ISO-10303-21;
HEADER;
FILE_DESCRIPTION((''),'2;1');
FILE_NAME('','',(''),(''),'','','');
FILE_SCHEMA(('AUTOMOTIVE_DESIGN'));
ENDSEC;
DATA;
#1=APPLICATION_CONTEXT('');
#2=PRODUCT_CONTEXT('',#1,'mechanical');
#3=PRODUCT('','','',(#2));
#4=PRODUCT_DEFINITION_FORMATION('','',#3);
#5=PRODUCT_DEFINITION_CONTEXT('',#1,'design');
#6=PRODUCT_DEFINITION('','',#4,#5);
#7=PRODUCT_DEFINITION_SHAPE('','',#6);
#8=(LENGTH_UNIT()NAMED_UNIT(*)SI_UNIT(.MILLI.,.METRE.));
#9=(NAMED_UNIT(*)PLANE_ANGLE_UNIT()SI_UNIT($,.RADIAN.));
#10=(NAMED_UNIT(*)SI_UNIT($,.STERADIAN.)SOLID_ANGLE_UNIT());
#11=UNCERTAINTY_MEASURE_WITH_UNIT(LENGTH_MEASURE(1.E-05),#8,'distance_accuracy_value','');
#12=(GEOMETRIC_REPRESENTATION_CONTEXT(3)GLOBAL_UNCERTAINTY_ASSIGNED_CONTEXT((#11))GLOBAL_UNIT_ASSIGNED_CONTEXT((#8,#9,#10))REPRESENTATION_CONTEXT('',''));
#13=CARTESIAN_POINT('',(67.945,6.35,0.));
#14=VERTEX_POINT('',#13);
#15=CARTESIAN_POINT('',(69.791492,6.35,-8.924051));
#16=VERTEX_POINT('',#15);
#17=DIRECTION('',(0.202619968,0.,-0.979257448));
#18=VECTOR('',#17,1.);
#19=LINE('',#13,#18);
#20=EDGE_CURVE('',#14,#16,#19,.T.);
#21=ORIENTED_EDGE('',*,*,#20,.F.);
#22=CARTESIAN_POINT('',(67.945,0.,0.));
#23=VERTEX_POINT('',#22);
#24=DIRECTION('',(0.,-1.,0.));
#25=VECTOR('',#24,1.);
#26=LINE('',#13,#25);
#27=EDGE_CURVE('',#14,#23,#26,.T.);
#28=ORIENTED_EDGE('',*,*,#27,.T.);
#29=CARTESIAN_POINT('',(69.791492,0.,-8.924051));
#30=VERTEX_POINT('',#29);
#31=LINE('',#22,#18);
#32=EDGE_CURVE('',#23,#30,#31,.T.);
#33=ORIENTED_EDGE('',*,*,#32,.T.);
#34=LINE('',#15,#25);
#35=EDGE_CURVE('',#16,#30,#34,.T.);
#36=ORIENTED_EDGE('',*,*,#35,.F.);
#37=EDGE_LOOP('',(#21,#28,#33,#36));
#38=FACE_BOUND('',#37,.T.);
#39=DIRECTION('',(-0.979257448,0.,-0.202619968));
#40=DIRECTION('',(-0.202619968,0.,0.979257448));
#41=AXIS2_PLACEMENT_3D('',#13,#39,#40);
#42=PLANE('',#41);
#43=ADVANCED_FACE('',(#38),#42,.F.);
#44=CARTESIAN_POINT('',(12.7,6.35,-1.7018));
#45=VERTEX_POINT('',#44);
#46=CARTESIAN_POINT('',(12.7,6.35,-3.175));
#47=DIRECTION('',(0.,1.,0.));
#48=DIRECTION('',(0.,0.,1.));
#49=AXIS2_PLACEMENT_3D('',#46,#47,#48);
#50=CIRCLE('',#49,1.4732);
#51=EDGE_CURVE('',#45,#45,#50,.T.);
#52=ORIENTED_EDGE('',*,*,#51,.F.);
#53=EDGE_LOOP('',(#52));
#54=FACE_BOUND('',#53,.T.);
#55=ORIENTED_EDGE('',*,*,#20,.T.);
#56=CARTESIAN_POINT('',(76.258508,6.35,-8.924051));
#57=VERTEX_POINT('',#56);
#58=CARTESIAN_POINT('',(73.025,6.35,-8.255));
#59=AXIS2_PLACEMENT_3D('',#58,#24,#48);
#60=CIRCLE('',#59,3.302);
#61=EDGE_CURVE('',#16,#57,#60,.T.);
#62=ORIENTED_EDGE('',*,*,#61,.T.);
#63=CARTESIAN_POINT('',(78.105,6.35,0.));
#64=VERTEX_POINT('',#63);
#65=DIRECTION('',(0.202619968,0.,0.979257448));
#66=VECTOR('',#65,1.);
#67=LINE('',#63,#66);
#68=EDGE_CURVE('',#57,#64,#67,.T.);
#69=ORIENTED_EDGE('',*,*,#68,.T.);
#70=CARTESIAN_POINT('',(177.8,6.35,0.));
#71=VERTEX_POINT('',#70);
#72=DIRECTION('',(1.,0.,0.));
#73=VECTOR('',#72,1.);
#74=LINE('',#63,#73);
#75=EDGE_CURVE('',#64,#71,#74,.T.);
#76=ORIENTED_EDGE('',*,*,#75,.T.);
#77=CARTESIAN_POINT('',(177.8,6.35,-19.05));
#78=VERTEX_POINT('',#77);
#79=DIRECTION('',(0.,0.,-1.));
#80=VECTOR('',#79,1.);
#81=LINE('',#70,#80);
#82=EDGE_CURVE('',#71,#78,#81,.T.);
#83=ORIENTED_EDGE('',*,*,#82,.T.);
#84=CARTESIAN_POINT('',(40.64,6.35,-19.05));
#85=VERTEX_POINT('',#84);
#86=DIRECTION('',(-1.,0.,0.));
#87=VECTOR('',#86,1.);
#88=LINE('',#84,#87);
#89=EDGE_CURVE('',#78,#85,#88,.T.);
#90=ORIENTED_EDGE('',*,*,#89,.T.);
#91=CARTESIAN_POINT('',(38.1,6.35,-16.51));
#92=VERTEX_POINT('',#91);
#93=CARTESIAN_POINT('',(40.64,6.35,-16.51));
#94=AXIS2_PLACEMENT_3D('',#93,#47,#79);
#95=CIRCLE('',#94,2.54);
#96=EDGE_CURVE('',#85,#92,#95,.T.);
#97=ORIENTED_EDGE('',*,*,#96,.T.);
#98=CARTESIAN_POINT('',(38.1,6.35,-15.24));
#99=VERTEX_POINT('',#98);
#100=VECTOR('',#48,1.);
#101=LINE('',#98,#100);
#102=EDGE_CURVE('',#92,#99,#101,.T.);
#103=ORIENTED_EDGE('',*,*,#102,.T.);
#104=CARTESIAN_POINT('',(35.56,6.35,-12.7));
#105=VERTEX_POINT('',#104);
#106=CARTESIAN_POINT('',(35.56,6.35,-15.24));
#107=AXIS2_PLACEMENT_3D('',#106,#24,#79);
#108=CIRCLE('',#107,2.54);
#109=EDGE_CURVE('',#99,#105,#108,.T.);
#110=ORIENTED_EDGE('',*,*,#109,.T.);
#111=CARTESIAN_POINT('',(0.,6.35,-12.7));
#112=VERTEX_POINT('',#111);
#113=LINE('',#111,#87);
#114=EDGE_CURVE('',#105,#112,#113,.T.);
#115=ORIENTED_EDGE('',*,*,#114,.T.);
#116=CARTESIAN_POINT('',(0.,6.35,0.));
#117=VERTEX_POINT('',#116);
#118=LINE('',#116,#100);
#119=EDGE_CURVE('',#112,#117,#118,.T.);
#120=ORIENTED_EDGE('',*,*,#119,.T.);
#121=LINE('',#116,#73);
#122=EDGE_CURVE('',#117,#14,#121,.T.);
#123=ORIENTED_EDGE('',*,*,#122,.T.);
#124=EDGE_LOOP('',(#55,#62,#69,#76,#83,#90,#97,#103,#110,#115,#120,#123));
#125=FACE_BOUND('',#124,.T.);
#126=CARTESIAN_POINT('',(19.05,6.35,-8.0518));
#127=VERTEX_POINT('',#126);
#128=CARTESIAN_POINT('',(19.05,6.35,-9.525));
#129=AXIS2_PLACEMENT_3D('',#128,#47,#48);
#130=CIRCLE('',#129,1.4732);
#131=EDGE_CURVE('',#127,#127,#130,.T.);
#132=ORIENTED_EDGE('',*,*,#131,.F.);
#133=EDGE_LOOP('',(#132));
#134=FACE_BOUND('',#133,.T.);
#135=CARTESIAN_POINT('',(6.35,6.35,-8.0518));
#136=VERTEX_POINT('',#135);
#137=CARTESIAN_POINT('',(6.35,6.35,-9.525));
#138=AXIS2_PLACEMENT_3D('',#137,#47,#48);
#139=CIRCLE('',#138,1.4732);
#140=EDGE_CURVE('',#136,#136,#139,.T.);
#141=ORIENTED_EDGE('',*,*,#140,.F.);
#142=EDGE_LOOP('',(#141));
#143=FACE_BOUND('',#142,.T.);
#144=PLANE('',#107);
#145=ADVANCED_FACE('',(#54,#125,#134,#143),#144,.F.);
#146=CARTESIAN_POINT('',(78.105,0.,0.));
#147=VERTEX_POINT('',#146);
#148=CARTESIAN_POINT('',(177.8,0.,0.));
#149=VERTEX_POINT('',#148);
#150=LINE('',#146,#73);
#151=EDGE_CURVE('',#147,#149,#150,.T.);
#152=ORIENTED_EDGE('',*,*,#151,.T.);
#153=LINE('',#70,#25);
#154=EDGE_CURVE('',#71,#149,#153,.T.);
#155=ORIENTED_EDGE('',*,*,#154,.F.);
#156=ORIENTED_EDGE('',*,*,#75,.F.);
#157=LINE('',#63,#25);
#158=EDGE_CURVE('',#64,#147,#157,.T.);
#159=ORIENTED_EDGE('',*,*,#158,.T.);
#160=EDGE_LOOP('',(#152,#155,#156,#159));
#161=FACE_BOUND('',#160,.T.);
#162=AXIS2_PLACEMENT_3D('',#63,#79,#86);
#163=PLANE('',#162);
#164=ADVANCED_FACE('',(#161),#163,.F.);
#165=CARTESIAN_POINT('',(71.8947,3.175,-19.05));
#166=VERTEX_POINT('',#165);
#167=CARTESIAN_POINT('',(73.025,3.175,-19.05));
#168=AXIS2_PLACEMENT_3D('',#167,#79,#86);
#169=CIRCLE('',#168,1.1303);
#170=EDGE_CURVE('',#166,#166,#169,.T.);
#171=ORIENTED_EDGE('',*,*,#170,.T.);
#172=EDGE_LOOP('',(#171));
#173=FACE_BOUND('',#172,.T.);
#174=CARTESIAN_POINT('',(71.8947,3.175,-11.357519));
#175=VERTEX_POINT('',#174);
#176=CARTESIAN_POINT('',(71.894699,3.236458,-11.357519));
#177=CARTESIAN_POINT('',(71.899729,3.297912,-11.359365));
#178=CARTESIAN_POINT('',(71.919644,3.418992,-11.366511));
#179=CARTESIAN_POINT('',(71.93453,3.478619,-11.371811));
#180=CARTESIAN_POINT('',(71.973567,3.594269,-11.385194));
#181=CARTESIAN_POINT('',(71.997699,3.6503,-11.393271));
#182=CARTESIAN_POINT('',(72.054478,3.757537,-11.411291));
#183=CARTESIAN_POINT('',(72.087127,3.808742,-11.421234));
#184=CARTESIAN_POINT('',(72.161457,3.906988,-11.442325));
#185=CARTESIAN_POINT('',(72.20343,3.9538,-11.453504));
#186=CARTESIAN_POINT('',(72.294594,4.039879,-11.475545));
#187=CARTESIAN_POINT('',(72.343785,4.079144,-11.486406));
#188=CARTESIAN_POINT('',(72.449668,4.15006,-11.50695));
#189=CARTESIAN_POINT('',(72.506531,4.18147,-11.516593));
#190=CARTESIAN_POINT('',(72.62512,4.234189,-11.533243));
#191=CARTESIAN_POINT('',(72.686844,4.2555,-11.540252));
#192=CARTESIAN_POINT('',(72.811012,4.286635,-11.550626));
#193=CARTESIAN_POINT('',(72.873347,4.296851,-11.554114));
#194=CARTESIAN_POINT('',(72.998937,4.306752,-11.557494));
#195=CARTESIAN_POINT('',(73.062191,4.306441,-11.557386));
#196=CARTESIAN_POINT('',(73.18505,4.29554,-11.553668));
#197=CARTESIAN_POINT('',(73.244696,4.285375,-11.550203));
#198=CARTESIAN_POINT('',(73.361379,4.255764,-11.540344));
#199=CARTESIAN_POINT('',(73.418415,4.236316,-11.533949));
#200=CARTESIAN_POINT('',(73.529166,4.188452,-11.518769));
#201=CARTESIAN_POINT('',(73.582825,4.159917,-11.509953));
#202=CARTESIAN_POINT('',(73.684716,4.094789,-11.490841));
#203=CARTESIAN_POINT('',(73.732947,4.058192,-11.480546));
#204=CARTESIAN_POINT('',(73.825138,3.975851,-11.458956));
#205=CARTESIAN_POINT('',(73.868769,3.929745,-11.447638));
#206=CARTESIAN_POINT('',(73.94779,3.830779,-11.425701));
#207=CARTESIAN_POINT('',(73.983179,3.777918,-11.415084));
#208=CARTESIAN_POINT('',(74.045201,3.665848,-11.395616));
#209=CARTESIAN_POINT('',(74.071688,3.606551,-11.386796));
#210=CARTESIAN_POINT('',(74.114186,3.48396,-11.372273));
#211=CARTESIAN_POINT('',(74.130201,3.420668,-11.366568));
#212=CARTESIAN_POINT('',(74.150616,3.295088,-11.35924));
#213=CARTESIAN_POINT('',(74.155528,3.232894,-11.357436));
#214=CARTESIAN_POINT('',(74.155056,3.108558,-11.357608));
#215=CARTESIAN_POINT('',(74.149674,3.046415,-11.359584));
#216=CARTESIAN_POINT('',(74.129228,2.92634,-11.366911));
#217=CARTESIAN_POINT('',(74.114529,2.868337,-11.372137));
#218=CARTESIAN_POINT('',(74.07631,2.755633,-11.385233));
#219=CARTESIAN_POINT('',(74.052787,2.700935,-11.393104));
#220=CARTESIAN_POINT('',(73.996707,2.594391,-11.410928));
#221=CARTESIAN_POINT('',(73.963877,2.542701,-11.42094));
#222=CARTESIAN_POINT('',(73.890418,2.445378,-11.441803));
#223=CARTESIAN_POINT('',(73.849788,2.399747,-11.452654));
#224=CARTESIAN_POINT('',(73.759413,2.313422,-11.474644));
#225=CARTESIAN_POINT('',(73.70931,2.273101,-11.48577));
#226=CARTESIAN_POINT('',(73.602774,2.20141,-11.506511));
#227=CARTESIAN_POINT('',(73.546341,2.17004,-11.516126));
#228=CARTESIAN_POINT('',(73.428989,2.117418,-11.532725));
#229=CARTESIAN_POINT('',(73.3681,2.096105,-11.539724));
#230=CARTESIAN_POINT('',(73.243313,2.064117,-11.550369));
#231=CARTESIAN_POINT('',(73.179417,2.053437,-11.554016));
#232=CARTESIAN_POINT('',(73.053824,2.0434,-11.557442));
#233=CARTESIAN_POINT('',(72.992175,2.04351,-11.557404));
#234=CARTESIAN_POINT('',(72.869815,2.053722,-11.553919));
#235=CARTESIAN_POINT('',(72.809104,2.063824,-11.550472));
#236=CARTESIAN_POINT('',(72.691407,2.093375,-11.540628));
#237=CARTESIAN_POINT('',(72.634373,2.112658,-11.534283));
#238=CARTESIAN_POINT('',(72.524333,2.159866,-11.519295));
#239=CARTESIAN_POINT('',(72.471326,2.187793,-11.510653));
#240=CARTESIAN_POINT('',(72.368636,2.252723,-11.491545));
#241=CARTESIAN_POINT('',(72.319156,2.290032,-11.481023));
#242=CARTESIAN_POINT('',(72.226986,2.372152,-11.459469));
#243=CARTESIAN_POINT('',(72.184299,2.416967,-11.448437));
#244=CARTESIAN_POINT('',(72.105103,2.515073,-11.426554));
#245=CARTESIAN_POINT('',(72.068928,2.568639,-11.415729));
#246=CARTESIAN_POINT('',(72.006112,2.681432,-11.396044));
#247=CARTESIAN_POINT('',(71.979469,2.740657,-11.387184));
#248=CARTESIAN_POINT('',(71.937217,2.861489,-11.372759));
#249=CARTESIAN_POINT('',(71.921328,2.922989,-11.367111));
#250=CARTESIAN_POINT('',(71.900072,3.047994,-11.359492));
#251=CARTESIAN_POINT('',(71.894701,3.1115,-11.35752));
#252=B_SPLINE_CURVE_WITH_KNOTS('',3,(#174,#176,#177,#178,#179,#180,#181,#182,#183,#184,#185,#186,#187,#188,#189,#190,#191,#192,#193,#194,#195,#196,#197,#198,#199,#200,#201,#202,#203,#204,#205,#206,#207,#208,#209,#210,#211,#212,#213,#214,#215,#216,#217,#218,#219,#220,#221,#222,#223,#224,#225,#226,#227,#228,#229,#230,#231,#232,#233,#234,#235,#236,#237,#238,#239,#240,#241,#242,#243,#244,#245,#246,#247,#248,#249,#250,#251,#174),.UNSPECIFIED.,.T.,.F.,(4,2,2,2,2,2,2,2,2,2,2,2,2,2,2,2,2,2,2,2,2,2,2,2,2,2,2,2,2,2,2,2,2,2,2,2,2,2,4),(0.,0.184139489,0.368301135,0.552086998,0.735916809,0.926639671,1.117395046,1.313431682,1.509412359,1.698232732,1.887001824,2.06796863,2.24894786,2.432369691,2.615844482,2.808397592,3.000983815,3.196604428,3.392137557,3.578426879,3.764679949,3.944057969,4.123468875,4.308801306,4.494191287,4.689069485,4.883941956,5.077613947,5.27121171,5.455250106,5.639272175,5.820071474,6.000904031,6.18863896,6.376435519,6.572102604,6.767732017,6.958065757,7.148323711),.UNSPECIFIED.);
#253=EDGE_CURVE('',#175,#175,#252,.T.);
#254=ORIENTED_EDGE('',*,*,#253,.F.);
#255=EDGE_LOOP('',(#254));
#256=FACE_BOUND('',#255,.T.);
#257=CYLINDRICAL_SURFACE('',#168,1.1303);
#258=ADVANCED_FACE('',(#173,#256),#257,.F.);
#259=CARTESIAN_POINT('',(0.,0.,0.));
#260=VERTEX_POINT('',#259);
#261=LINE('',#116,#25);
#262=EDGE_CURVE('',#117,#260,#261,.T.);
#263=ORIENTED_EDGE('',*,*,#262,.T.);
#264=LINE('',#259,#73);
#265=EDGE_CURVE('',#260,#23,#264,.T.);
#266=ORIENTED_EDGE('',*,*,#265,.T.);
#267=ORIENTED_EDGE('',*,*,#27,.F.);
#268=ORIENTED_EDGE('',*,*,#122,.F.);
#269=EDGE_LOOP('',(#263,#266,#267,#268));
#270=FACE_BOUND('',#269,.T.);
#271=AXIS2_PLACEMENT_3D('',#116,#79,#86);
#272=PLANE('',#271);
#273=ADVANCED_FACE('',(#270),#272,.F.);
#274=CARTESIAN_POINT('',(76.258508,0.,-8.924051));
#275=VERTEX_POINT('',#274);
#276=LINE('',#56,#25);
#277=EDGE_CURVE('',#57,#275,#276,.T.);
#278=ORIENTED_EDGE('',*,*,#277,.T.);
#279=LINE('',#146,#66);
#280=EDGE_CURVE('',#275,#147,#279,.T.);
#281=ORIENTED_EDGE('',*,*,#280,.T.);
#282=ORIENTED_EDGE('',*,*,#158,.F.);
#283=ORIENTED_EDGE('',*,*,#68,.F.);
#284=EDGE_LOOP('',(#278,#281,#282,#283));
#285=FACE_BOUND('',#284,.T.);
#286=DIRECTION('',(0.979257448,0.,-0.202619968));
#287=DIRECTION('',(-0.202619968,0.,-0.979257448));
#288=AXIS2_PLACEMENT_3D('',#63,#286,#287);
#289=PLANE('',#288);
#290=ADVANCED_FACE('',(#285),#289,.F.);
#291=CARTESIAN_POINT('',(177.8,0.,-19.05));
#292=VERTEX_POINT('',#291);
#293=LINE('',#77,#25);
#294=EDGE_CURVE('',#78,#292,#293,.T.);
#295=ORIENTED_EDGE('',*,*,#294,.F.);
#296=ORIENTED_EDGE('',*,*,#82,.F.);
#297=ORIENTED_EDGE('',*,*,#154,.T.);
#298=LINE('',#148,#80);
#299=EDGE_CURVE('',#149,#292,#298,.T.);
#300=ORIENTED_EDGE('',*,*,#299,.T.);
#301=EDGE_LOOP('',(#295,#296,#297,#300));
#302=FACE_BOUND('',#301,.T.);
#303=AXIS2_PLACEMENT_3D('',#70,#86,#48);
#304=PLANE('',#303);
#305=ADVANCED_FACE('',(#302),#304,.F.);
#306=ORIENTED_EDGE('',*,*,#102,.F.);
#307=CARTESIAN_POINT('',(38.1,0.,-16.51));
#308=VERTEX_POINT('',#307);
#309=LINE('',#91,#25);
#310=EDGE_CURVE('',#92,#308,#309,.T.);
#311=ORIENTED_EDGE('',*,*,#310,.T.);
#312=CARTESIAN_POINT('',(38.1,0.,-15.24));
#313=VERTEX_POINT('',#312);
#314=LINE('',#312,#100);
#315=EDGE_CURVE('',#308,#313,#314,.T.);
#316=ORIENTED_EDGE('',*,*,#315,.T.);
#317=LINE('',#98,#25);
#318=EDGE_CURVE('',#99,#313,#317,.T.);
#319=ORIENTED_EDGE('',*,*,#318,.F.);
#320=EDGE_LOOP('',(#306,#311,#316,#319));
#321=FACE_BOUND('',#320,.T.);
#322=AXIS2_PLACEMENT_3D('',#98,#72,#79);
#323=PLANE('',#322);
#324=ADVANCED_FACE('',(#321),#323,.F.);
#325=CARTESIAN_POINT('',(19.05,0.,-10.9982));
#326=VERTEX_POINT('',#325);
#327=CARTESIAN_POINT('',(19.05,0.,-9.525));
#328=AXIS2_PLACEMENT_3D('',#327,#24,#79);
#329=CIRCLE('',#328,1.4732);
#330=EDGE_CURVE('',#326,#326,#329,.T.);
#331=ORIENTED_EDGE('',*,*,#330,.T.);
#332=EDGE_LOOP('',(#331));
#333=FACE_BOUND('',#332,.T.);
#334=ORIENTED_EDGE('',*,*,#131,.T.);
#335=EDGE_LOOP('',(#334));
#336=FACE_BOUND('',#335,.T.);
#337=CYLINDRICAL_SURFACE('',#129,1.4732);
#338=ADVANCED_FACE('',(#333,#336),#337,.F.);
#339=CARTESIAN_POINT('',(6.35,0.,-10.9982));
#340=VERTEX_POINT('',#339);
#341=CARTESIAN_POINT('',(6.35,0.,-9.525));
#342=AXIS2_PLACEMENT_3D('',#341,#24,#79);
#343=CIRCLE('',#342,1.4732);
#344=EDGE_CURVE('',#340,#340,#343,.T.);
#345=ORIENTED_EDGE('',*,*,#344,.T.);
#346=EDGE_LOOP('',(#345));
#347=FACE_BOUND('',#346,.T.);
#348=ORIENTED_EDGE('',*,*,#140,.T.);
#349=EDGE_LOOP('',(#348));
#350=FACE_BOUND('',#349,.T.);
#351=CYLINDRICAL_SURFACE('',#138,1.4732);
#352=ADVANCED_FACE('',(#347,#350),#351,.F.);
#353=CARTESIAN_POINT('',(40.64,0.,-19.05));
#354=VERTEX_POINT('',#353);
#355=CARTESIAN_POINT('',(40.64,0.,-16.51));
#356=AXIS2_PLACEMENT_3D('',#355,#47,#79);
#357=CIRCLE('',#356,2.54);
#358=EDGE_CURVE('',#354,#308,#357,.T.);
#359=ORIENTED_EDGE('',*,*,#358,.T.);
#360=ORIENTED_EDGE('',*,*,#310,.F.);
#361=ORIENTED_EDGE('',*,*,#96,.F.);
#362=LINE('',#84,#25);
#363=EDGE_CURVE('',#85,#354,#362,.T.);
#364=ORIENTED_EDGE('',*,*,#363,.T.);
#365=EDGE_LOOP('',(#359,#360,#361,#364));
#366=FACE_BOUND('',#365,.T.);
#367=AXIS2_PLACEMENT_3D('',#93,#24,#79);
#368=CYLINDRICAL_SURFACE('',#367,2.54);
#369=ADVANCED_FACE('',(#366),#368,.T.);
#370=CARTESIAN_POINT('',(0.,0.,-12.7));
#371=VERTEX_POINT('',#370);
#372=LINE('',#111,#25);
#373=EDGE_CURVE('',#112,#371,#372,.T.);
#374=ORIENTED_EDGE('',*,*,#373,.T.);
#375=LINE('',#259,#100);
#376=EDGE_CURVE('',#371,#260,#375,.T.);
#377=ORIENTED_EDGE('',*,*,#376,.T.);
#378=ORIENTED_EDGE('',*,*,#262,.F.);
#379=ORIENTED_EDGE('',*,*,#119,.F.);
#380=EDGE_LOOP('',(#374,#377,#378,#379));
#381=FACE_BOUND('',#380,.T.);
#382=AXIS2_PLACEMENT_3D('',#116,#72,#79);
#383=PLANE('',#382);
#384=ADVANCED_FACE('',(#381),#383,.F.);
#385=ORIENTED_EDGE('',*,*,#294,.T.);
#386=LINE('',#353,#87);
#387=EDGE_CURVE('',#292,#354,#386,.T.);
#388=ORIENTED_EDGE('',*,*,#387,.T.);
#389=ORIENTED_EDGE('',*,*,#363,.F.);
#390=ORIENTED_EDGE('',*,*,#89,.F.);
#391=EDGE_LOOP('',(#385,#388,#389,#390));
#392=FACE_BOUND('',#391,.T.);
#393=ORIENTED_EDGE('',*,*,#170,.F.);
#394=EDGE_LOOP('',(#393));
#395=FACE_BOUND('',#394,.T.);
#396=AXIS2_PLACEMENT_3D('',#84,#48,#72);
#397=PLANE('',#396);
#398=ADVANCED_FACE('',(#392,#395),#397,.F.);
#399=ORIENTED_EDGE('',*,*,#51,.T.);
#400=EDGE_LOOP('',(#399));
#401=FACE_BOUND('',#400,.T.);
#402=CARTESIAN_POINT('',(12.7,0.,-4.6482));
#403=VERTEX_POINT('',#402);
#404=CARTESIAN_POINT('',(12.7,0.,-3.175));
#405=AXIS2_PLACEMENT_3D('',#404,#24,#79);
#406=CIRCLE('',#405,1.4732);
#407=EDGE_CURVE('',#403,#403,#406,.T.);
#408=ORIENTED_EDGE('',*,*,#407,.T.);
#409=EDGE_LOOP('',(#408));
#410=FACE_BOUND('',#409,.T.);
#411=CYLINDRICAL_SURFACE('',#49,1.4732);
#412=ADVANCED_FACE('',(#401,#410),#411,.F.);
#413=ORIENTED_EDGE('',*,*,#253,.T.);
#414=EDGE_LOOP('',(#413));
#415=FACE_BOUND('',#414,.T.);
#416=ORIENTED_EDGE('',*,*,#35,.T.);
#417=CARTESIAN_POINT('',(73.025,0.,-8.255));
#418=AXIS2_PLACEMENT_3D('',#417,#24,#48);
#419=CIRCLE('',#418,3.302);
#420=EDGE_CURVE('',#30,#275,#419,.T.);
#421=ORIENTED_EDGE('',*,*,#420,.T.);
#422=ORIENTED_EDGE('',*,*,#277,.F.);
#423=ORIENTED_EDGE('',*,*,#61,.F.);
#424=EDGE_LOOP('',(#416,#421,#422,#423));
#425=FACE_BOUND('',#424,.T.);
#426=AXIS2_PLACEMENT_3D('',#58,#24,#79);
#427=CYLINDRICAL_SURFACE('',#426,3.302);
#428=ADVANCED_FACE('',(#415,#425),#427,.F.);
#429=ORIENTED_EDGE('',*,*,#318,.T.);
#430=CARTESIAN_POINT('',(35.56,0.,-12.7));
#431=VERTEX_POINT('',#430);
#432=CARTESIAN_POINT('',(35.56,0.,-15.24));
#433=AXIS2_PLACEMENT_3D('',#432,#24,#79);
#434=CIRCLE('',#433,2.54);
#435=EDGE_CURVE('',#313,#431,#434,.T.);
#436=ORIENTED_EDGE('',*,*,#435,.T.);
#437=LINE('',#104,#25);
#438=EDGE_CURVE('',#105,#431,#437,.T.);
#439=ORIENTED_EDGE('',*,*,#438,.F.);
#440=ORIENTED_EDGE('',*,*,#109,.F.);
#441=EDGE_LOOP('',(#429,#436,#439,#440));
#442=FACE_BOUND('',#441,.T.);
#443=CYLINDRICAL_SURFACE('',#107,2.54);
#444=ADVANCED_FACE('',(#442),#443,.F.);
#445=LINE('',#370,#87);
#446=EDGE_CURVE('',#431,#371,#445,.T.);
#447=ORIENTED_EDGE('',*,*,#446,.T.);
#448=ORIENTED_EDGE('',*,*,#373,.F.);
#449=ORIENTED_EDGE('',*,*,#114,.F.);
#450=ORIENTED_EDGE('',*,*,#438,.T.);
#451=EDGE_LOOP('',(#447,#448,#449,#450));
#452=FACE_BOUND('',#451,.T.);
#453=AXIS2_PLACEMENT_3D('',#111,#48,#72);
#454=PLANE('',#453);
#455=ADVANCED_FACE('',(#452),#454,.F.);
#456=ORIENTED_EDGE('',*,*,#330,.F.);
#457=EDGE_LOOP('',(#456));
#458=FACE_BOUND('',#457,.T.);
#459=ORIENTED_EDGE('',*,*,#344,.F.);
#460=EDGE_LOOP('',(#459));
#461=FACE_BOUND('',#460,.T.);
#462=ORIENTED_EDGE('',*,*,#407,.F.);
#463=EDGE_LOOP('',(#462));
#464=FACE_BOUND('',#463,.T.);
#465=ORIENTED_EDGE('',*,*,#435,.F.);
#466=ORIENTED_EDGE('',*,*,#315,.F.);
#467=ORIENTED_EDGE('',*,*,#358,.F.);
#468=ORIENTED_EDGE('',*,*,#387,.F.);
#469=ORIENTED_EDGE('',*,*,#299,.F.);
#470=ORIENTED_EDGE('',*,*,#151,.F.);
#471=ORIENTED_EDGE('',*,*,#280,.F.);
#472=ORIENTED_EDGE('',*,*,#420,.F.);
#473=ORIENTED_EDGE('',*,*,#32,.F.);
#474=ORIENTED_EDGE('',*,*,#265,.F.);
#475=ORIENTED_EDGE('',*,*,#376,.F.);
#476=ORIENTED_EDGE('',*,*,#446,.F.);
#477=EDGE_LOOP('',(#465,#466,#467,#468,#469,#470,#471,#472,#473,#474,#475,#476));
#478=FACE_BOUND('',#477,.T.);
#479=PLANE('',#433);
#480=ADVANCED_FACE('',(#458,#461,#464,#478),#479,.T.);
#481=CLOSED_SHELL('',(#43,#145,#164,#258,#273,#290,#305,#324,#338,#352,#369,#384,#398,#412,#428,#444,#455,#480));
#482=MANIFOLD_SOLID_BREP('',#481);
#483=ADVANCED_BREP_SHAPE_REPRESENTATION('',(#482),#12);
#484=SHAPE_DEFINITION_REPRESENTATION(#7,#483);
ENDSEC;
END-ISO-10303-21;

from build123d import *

# Parameters (mm, degrees)
BOSS_EXTRUDE1_DEPTH             = 6.35
F_32_0_116_DIAMETER_HOLE1_D     = 2.9464
F_32_0_116_DIAMETER_HOLE1_DEPTH = 7.62
F_32_0_116_DIAMETER_HOLE1_TIP   = 0.885187864
F_4_40_TAPPED_HOLE1_D           = 2.2606


with BuildPart() as part:
    # Sketch1 → Boss-Extrude1 (new body)
    with BuildSketch(Plane(origin=(0, 0, 0), x_dir=(1, 0, 0), z_dir=(0, 1, 0))):
        with BuildLine():
            Line((0, 0), (67.945, 0))
            Line((67.945, 0), (69.791491908, 8.924051134))
            ThreePointArc((69.791491908, 8.924051134), (73.025, 11.557), (76.258508092, 8.924051134))
            Line((76.258508092, 8.924051134), (78.105, 0))
            Line((78.105, 0), (177.8, 0))
            Line((177.8, 0), (177.8, 19.05))
            Line((177.8, 19.05), (40.64, 19.05))
            ThreePointArc((40.64, 19.05), (38.843948776, 18.306051224), (38.1, 16.51))
            Line((38.1, 16.51), (38.1, 15.24))
            ThreePointArc((38.1, 15.24), (37.356051224, 13.443948776), (35.56, 12.7))
            Line((35.56, 12.7), (0, 12.7))
            Line((0, 12.7), (0, 0))
        make_face()
    extrude(amount=BOSS_EXTRUDE1_DEPTH)

    # #32 (0.116) Diameter Hole1
    with Locations(Plane(origin=(6.35, 6.35, -9.525), x_dir=(0, 0, 1), z_dir=(0, 1, 0))):
        with Locations((0, 0), (0, 12.7), (6.35, 6.35)):
            Hole(F_32_0_116_DIAMETER_HOLE1_D / 2, depth=F_32_0_116_DIAMETER_HOLE1_DEPTH)
            with Locations((0, 0, -(F_32_0_116_DIAMETER_HOLE1_DEPTH + F_32_0_116_DIAMETER_HOLE1_TIP / 2))):  # 118° drill point
                Cone(0, F_32_0_116_DIAMETER_HOLE1_D / 2, F_32_0_116_DIAMETER_HOLE1_TIP, mode=Mode.SUBTRACT)

    # #4-40 Tapped Hole1 (through all)
    with Locations(Plane(origin=(0, 0, -19.05), x_dir=(-1, 0, 0), z_dir=(0, 0, -1))):
        with Locations((-73.025, 3.175)):
            Hole(F_4_40_TAPPED_HOLE1_D / 2)


solid = part.part
